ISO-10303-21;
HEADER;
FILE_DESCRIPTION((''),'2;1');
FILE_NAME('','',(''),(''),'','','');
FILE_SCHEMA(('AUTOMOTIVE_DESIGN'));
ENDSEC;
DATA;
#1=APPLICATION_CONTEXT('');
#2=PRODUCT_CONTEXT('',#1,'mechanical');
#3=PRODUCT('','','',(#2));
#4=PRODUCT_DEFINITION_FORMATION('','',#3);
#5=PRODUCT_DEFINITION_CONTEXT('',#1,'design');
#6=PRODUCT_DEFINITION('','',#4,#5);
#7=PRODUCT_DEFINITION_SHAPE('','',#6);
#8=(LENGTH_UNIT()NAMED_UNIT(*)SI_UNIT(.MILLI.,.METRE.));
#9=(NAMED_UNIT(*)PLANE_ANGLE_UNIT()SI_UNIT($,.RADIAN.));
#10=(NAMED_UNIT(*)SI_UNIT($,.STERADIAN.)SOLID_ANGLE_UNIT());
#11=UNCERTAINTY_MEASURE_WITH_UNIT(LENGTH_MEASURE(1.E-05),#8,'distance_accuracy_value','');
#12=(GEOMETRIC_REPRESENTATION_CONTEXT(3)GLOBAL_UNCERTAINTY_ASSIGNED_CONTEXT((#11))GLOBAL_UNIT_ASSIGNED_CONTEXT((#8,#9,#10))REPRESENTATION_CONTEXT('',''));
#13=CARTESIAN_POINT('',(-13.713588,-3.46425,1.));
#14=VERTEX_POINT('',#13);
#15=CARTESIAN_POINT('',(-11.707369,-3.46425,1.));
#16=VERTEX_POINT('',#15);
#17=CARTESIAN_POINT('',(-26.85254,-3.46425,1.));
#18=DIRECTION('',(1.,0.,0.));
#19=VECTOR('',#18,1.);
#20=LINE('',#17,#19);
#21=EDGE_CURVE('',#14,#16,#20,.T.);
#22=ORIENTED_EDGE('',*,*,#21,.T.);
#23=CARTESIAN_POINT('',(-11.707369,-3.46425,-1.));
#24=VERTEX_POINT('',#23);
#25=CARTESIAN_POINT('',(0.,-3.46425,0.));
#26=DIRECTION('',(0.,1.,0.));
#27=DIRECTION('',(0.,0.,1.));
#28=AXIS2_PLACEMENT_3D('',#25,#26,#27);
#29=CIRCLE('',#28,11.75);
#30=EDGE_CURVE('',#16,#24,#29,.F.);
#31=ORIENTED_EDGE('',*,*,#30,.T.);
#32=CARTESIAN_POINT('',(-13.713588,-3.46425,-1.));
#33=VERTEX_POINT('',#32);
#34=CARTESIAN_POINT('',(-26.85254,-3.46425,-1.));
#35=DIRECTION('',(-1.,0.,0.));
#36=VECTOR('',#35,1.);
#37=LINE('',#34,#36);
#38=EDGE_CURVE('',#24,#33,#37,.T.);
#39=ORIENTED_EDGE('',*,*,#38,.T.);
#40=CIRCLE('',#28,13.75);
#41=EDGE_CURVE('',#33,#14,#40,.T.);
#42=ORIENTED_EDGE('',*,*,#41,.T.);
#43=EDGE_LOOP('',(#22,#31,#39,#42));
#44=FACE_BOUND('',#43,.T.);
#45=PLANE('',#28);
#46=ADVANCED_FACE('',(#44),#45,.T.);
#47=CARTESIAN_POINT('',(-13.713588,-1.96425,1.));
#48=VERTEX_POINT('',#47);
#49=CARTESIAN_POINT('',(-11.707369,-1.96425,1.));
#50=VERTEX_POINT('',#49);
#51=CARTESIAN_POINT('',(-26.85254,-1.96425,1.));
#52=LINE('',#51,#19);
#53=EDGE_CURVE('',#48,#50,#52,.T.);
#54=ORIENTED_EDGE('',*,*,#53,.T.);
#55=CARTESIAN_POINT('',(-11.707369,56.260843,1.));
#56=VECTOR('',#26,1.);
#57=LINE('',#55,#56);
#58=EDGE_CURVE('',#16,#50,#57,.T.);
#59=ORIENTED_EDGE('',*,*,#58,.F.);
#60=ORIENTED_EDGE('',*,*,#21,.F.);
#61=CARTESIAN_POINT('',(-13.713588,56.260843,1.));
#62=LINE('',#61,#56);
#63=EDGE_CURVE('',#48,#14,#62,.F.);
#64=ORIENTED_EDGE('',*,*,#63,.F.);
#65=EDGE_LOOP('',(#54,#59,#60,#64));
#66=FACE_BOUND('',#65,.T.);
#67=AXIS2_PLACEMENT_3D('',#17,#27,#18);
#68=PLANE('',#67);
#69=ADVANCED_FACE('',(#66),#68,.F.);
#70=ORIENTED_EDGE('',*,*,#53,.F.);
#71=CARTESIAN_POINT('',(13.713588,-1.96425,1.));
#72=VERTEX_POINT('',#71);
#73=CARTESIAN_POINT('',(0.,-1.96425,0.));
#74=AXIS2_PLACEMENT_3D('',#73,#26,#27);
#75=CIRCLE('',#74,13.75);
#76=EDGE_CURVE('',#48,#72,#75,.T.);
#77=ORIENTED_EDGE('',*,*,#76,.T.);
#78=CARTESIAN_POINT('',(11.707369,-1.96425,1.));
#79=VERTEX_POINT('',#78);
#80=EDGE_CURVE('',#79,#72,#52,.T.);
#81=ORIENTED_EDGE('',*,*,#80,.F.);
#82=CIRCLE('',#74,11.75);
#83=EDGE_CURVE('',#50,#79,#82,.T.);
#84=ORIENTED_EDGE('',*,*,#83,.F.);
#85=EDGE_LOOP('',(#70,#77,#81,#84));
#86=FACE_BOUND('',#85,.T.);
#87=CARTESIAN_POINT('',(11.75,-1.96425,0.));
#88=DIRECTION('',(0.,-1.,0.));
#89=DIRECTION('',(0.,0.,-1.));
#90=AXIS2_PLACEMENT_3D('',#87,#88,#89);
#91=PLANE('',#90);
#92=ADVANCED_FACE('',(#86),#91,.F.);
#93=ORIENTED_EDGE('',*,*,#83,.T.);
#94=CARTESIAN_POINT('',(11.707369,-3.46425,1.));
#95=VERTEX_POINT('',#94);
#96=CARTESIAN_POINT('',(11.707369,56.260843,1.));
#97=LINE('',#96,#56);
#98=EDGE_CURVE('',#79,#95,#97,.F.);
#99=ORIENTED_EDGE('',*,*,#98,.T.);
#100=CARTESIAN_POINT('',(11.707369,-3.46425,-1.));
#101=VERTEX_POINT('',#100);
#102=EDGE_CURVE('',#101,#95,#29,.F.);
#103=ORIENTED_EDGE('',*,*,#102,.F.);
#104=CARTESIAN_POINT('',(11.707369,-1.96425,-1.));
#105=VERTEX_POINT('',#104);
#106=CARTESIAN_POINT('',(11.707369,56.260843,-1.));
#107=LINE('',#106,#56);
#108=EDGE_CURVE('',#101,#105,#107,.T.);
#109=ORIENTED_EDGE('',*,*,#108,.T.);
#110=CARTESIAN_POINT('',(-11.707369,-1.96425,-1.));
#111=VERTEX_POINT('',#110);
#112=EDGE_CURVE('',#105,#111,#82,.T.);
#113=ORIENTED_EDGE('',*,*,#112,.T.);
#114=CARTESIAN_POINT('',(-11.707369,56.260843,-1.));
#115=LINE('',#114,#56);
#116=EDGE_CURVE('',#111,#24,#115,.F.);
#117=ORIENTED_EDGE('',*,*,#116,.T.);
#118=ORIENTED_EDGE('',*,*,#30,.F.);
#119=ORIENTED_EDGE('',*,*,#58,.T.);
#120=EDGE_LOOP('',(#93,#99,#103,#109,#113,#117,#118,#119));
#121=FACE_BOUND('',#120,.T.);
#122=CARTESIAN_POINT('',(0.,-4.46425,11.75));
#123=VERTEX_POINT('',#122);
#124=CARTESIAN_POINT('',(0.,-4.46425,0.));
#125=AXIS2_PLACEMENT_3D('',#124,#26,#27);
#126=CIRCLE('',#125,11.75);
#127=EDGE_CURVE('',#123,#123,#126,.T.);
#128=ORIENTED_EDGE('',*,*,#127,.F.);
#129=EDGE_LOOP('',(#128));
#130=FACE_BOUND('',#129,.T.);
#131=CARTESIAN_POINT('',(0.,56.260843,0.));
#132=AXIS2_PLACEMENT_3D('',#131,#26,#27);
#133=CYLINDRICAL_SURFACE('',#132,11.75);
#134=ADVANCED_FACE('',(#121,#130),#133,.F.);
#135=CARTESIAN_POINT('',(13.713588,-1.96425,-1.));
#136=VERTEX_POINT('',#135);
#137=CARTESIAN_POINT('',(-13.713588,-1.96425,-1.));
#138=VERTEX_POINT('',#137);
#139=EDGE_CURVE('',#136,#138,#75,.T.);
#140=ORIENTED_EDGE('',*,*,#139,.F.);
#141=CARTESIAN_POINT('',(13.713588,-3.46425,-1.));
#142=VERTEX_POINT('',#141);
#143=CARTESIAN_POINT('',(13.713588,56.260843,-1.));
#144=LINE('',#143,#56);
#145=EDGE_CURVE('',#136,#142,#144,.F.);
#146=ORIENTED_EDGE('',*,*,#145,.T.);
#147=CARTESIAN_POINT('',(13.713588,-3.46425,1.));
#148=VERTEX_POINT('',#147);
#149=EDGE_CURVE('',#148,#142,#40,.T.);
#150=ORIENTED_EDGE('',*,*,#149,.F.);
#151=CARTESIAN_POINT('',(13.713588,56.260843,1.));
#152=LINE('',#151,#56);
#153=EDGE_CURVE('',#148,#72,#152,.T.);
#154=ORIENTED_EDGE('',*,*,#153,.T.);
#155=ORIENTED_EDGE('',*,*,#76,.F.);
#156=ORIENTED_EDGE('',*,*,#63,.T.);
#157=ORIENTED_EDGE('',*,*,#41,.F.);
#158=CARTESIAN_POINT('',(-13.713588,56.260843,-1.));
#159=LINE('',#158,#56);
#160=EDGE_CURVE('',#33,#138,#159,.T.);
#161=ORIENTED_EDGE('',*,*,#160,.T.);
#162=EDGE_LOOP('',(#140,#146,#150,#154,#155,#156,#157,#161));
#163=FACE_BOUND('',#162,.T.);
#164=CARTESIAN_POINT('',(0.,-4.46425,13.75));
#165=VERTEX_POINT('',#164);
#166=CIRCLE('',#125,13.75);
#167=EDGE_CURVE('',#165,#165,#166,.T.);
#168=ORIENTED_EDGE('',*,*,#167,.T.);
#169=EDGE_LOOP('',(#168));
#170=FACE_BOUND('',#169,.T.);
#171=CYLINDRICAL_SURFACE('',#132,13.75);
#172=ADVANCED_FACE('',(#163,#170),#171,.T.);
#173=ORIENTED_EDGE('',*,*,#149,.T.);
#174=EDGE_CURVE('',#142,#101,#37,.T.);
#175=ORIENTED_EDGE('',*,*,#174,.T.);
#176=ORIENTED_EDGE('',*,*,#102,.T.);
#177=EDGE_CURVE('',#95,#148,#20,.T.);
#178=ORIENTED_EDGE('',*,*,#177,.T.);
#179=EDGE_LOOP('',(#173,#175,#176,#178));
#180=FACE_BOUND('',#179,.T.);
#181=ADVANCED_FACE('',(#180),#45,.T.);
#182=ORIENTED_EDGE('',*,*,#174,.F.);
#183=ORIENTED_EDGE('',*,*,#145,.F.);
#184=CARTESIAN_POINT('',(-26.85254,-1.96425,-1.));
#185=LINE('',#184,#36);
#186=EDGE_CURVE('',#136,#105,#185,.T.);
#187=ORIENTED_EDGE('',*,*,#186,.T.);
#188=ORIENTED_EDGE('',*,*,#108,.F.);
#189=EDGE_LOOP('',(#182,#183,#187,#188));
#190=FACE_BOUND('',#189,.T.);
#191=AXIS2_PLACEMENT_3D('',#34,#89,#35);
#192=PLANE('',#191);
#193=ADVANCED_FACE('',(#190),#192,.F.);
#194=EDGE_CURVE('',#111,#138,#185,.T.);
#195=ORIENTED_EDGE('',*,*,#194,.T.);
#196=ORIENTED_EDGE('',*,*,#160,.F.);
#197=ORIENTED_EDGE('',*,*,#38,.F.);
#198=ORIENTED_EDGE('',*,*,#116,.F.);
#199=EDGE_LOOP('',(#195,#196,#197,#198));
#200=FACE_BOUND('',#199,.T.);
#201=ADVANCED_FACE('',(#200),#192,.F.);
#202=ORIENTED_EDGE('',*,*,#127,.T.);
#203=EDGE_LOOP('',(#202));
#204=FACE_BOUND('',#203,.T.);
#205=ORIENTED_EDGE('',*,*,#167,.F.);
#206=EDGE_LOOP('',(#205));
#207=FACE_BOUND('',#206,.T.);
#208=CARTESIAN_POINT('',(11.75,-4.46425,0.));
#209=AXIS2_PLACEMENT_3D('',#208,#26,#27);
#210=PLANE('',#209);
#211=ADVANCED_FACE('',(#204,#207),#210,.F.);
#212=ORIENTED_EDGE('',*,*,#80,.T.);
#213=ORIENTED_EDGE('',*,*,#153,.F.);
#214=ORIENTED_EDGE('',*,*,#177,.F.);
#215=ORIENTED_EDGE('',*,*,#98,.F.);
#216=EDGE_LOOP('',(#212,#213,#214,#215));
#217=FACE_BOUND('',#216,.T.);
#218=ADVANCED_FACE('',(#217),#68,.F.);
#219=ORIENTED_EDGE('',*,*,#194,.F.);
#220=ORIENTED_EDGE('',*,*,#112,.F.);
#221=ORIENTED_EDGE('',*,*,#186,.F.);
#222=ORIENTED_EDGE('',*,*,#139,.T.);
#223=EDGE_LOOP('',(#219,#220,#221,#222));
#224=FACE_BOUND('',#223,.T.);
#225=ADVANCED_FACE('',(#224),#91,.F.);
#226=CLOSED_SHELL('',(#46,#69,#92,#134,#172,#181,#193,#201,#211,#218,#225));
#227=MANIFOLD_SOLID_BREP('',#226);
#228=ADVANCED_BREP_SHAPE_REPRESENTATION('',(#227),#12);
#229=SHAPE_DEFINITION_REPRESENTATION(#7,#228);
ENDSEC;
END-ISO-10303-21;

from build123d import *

# Parameters (mm, degrees)
SKETCH_1_W          = 2
SKETCH_1_H          = 2.5
SKETCH_2_W          = 53.705080546
SKETCH_2_H          = 2
CUT_EXTRUDE_1_DEPTH = 1.5


with BuildPart() as part:
    # 草图1 → 旋转1 (revolve)
    with BuildSketch(Plane.XY, mode=Mode.PRIVATE) as revolve_1_sk:
        with Locations((12.75, -3.214249787)):
            Rectangle(SKETCH_1_W, SKETCH_1_H)
    revolve(revolve_1_sk.sketch.rotate(Axis((0, 56.260842627, 0), (0, -1, 0)), 90), axis=Axis((0, 56.260842627, 0), (0, -1, 0)))  # turned: the seam where the file's is

    # 草图2 → 切除-拉伸1 (cut)
    with BuildSketch(Plane(origin=(0, -1.964249787, 0), x_dir=(1, 0, 0), z_dir=(0, 1, 0))):
        Rectangle(SKETCH_2_W, SKETCH_2_H)
    extrude(amount=-CUT_EXTRUDE_1_DEPTH, mode=Mode.SUBTRACT)


solid = part.part
